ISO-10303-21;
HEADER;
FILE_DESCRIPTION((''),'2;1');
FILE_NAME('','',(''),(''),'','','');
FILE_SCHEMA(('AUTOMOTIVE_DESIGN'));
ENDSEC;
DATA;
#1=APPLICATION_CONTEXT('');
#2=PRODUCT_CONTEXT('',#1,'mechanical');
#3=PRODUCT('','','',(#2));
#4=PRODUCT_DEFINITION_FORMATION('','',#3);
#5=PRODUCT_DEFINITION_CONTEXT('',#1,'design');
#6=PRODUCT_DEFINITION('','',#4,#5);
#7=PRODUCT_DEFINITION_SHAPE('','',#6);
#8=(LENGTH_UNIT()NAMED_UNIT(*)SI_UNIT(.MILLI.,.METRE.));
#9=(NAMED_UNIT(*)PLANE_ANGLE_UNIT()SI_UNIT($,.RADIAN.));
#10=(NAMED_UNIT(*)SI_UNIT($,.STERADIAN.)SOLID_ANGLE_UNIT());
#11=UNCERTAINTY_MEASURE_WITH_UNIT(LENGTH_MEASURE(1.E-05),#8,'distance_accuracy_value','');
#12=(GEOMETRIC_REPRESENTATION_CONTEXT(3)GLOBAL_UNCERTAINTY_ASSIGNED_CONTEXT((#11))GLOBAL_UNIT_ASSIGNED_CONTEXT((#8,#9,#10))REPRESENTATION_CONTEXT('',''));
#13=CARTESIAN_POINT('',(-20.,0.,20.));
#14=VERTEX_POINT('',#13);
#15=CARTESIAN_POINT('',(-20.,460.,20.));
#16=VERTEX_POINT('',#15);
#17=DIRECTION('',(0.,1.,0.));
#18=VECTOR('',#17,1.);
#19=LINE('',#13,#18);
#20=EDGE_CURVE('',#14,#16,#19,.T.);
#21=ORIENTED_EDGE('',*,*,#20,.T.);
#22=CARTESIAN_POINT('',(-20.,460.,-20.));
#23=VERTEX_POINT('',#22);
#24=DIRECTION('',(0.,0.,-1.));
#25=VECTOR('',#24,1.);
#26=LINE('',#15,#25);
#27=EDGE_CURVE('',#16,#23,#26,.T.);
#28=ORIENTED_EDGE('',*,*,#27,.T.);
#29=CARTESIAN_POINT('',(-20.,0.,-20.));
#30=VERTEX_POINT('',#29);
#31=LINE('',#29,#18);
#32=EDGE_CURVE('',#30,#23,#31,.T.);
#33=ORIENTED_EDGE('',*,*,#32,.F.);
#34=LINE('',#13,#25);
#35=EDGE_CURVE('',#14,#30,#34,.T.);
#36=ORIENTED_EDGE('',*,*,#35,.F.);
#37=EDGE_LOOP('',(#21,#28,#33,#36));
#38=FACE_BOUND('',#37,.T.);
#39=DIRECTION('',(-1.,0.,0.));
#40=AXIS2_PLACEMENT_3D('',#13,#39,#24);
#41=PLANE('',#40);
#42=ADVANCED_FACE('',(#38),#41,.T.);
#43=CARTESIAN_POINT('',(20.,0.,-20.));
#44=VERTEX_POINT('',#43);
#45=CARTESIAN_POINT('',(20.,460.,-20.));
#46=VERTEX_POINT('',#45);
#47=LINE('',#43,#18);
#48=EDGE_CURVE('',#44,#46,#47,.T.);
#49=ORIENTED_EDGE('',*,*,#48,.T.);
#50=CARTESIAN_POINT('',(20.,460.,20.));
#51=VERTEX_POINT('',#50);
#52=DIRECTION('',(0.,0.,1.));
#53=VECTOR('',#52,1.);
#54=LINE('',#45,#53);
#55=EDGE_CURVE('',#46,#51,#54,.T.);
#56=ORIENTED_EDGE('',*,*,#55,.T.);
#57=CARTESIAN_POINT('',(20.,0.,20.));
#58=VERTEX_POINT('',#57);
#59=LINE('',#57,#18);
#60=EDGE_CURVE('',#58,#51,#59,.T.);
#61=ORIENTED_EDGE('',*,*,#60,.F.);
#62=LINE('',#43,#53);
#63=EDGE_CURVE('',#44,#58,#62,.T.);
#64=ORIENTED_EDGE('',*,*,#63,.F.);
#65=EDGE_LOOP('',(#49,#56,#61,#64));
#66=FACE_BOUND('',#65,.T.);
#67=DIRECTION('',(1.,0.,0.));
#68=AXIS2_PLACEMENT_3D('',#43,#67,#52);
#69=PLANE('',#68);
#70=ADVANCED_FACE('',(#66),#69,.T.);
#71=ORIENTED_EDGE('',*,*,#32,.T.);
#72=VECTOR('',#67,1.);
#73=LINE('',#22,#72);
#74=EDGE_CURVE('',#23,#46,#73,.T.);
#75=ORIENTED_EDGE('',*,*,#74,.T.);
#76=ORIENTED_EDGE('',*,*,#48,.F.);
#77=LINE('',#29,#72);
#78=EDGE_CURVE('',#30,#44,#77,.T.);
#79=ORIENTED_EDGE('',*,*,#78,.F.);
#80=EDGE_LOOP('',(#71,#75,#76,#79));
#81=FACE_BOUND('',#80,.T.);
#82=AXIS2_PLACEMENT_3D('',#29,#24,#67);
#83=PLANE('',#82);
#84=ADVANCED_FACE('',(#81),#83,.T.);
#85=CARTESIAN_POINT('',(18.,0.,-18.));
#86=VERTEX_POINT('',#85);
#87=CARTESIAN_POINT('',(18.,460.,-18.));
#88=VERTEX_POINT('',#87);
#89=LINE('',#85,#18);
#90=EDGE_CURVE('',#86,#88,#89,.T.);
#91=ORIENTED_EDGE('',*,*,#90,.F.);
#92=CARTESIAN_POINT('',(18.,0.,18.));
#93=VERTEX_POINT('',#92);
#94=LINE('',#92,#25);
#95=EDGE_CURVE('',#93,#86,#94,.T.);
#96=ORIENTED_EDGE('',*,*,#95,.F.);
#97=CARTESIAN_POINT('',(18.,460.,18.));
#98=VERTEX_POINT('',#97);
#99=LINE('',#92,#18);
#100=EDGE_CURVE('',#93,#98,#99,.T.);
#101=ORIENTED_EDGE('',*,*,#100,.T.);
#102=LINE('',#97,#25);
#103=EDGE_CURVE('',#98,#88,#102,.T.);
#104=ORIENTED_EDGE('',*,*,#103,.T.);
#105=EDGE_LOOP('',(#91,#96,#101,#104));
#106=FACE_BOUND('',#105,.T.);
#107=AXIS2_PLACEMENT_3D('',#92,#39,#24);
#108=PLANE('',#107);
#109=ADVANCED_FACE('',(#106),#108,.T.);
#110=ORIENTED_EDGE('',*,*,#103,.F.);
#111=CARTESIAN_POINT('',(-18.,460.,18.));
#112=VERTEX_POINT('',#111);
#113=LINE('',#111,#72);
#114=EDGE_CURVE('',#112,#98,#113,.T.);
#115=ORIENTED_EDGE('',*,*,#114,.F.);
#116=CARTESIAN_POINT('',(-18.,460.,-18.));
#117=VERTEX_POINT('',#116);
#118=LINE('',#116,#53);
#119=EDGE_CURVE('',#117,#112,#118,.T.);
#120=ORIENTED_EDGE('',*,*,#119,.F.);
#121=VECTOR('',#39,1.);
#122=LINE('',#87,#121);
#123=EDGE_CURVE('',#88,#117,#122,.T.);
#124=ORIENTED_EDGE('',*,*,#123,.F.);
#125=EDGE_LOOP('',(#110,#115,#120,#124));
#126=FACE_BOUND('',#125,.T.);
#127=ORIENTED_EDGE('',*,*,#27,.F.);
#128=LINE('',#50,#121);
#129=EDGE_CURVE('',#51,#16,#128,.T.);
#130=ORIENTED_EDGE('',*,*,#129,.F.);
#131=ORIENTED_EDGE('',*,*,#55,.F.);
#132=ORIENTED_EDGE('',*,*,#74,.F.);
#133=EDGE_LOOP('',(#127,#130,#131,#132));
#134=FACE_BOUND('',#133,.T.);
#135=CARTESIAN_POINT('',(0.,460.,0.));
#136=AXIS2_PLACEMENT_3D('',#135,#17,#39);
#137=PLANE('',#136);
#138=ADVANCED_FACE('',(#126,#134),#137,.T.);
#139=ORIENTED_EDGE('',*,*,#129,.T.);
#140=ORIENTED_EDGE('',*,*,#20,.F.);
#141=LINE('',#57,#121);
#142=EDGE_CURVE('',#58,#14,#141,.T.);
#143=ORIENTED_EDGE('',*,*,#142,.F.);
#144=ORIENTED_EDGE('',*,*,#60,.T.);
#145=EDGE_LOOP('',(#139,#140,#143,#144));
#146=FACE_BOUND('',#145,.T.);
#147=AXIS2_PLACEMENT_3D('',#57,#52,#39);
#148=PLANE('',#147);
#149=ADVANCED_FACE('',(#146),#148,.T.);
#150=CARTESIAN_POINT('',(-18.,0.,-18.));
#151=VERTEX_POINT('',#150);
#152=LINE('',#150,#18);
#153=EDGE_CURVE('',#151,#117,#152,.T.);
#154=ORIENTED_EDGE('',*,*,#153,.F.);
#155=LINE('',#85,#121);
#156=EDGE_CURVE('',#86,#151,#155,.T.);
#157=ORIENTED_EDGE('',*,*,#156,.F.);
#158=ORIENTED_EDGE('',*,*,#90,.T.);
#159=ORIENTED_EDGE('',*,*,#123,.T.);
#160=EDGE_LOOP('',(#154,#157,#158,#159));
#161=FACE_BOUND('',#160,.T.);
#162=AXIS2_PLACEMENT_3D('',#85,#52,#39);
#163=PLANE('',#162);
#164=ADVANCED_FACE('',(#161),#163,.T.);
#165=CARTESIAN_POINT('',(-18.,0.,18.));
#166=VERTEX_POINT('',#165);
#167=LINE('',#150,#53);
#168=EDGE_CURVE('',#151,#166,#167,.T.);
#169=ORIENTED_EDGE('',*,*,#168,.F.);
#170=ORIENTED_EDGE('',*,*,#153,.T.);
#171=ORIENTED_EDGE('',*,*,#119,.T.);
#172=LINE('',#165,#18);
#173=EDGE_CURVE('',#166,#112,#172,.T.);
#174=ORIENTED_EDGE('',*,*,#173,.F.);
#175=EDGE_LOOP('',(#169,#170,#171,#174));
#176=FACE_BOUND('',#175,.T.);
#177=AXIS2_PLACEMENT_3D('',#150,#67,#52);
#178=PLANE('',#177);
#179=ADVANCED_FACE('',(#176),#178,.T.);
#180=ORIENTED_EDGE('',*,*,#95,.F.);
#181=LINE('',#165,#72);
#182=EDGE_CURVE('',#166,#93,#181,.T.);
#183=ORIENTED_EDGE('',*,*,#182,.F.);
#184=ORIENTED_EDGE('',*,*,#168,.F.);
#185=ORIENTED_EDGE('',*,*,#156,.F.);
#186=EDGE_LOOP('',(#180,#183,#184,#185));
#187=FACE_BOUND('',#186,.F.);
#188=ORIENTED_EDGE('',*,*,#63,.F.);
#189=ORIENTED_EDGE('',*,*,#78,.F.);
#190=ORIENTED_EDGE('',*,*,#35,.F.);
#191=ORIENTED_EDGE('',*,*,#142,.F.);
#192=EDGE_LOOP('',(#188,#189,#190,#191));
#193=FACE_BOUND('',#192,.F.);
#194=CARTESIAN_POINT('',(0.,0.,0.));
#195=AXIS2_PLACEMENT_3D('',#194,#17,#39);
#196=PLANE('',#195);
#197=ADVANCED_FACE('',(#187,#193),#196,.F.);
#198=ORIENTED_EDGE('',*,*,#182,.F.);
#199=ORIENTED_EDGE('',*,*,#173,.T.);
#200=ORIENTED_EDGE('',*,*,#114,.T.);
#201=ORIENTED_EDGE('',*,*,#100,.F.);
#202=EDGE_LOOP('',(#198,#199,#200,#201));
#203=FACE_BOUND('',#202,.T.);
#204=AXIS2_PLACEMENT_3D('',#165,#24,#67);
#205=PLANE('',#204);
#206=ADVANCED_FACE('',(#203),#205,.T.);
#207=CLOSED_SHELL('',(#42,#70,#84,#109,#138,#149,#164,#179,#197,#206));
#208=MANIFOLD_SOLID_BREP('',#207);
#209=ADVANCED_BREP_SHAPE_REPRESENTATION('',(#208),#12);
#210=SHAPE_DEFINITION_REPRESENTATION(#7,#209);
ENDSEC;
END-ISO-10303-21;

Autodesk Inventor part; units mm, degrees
ref_plane "YZ Plane" through (0, 0, 0) normal (1, 0, 0) x (0, 1, 0)
ref_plane "XZ Plane" through (0, 0, 0) normal (0, 1, 0) x (-1, 0, 0)
ref_plane "XY Plane" through (0, 0, 0) normal (0, 0, 1) x (1, 0, 0)
sketch "Sketch1" plane through (0, 0, 0) normal (0, 1, 0) x (-1, 0, 0)
  line L0 (-20, 20) -> (20, 20)
  line L1 (20, 20) -> (20, -20)
  line L2 (20, -20) -> (-20, -20)
  line L3 (-20, -20) -> (-20, 20)
  line L4 (-20, 20) -> (20, -20) construction
  line L5 (20, 20) -> (-20, -20) construction
  line L6 (18, 18) -> (-18, 18)
  line L7 (-18, 18) -> (-18, -18)
  line L8 (-18, -18) -> (18, -18)
  line L9 (18, -18) -> (18, 18)
  point P0 (0, 0)
  dimension "d19" = 40
  dimension "d20" = 40
  dimension "d21" = 2
extrude "Extrusion1" add sketch "Sketch1" along normal blind 460
equation "\"BendRadius\" = Thickness"
equation "\"BendReliefWidth\" = Thickness"
equation "\"BendReliefDepth\" = 0.5 * Thickness"
equation "\"TransitionRadius\" = BendRadius"
equation "\"JacobiRadiusSize\" = BendRadius"
equation "\"GapSize\" = Thickness"
equation "\"Thickness\" = 15"
properties part number "ДМФ 033 держатель лотка v2.0"
